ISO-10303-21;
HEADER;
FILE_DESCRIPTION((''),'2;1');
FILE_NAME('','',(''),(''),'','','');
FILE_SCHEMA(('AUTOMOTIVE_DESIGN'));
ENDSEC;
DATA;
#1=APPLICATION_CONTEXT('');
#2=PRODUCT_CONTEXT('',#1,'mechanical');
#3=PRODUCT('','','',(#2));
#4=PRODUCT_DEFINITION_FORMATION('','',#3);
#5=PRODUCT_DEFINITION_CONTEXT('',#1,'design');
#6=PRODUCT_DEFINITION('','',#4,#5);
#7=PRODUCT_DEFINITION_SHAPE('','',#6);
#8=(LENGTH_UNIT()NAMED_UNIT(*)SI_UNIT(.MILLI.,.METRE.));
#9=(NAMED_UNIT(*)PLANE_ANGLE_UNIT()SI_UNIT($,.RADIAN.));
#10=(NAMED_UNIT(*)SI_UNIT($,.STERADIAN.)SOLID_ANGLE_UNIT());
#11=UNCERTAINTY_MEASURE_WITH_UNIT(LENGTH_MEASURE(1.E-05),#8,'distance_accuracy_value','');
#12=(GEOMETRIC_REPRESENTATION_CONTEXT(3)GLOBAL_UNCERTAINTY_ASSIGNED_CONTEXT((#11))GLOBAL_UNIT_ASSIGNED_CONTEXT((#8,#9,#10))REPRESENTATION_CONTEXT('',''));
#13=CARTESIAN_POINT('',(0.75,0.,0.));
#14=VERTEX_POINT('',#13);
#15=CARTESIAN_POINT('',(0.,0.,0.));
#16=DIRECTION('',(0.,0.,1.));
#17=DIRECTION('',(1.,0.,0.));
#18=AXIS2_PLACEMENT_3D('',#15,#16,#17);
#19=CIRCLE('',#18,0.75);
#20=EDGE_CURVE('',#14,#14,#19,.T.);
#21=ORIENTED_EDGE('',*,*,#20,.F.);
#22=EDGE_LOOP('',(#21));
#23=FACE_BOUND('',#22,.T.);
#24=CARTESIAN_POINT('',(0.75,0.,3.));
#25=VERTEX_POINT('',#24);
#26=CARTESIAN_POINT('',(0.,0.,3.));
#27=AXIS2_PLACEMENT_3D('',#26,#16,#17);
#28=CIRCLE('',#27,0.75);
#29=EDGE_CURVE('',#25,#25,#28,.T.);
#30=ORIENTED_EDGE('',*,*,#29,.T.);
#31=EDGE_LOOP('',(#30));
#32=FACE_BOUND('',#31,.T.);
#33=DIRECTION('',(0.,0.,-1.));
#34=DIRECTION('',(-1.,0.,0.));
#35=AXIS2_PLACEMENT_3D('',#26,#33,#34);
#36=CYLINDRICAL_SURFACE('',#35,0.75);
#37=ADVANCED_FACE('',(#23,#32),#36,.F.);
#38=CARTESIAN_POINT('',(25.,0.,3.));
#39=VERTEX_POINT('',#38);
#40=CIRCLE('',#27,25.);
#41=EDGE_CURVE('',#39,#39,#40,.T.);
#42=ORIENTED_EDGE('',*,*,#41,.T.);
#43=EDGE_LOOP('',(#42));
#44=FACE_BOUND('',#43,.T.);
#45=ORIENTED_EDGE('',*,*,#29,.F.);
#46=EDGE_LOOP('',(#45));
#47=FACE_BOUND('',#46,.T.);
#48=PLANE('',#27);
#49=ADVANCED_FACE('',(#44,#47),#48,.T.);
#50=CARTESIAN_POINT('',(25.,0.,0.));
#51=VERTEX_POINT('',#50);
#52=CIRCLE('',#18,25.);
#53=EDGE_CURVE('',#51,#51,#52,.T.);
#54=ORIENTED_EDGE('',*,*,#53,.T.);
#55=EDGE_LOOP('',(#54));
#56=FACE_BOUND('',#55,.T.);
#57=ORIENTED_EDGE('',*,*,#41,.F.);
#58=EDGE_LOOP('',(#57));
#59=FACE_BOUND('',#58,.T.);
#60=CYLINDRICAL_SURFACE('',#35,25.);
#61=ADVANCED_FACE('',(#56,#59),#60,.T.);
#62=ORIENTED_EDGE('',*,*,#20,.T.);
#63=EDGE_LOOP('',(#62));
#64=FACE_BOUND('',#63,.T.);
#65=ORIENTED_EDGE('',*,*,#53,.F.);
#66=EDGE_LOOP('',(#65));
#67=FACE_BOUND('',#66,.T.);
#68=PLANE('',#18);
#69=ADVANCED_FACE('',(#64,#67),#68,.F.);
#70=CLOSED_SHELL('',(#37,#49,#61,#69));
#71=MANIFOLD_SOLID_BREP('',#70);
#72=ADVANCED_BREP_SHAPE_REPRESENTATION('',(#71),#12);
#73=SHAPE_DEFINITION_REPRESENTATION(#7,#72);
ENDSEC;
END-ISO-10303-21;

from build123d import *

# Parameters (mm, degrees)
SKETCH1_R           = 25
SKETCH1_R_2         = 0.75
BOSS_EXTRUDE1_DEPTH = 3


with BuildPart() as part:
    # Sketch1 → Boss-Extrude1 (new body)
    with BuildSketch(Plane.XY):
        Circle(SKETCH1_R)
        Circle(SKETCH1_R_2, mode=Mode.SUBTRACT)
    extrude(amount=BOSS_EXTRUDE1_DEPTH)


solid = part.part
